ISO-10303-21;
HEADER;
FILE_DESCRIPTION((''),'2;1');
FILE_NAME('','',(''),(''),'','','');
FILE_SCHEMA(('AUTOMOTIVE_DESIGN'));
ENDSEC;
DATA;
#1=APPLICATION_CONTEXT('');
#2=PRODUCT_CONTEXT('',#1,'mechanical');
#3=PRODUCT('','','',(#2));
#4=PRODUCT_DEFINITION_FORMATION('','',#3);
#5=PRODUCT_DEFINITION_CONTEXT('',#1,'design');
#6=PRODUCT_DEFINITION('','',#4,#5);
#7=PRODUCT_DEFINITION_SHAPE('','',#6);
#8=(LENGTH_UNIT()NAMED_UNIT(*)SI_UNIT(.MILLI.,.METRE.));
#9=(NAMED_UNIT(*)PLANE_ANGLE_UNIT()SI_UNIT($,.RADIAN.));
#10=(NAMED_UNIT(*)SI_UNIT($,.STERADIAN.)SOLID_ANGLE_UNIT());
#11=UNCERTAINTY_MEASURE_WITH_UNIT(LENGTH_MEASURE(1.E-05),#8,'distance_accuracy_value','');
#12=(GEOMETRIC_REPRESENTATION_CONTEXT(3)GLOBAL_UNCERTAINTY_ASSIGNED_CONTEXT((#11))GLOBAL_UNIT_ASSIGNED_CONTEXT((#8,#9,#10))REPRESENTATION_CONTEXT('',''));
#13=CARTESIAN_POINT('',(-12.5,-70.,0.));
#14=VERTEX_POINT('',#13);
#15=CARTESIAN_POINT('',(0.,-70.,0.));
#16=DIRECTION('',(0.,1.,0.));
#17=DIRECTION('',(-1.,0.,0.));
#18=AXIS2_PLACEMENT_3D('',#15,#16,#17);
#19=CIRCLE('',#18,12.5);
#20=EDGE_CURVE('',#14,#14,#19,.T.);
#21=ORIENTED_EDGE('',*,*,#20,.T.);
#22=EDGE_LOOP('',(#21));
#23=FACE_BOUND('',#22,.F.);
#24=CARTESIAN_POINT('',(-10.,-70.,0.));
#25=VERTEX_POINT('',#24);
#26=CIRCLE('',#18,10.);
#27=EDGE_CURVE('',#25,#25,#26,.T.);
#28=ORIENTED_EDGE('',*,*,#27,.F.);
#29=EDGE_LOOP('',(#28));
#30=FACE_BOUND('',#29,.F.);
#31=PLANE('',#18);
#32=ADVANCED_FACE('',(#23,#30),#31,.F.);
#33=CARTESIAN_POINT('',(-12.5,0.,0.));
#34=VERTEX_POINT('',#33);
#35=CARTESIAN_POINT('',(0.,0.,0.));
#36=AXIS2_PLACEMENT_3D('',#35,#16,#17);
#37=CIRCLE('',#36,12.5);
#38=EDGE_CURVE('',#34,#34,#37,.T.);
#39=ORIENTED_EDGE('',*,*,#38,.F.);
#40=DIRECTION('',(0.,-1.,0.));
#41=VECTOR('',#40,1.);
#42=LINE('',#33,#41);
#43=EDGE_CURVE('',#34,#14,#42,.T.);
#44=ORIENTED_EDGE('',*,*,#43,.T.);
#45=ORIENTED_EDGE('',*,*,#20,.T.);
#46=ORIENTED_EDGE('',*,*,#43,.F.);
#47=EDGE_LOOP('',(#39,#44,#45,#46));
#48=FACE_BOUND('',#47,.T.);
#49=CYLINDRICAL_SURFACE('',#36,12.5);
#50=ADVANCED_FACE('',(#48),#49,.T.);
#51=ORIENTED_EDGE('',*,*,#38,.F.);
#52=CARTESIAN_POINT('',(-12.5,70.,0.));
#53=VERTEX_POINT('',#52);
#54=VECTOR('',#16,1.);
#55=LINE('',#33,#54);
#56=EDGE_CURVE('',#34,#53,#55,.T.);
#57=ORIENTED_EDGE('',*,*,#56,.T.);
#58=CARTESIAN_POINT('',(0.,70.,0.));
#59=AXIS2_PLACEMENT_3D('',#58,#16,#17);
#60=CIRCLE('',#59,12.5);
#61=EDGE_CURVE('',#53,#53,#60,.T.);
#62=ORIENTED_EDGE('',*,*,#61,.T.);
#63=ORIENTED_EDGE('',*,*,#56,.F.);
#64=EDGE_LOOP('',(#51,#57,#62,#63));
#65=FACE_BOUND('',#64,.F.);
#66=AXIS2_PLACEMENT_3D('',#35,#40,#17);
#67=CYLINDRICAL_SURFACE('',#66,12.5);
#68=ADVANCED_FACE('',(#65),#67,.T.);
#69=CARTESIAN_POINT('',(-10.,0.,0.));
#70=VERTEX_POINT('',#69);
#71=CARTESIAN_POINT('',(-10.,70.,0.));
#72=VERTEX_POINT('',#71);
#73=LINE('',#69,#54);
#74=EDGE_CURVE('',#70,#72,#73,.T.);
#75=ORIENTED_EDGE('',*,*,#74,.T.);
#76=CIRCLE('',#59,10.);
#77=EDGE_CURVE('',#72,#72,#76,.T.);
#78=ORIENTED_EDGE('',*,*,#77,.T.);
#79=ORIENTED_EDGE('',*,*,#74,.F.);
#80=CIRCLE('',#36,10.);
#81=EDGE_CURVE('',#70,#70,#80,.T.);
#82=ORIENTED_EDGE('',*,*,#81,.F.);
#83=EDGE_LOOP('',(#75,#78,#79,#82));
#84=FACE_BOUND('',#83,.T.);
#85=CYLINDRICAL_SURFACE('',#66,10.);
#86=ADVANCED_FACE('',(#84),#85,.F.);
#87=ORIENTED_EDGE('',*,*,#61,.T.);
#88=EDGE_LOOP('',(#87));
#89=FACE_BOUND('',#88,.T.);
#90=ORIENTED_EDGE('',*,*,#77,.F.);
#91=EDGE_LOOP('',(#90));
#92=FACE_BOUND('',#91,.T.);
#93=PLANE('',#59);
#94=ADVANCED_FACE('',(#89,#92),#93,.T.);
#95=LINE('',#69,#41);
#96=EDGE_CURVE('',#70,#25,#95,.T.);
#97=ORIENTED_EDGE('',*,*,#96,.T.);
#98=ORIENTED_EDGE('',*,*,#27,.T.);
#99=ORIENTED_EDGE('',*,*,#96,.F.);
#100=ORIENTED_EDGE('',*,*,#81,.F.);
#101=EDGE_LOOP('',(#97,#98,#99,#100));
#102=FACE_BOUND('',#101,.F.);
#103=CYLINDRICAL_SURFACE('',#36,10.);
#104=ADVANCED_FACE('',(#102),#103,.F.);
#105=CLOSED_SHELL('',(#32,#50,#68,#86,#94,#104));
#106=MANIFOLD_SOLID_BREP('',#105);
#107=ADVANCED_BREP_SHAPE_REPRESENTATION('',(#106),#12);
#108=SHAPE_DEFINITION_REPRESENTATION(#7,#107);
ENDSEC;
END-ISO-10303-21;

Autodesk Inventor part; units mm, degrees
ref_plane "YZ Plane" through (0, 0, 0) normal (1, 0, 0) x (0, 1, 0)
ref_plane "XZ Plane" through (0, 0, 0) normal (0, 1, 0) x (-1, 0, 0)
ref_plane "XY Plane" through (0, 0, 0) normal (0, 0, 1) x (1, 0, 0)
sketch "Sketch1" plane through (0, 0, 0) normal (0, 1, 0) x (-1, 0, 0)
  circle A0 centre (0, 0) radius 12.5
  circle A1 centre (0, 0) radius 10
  dimension "d0" = 25
  dimension "d1" = 20
extrude "Extrusion1" add sketch "Sketch1" along normal mid plane 140
properties part number "PWTR-0101" material "Stainless Steel"
